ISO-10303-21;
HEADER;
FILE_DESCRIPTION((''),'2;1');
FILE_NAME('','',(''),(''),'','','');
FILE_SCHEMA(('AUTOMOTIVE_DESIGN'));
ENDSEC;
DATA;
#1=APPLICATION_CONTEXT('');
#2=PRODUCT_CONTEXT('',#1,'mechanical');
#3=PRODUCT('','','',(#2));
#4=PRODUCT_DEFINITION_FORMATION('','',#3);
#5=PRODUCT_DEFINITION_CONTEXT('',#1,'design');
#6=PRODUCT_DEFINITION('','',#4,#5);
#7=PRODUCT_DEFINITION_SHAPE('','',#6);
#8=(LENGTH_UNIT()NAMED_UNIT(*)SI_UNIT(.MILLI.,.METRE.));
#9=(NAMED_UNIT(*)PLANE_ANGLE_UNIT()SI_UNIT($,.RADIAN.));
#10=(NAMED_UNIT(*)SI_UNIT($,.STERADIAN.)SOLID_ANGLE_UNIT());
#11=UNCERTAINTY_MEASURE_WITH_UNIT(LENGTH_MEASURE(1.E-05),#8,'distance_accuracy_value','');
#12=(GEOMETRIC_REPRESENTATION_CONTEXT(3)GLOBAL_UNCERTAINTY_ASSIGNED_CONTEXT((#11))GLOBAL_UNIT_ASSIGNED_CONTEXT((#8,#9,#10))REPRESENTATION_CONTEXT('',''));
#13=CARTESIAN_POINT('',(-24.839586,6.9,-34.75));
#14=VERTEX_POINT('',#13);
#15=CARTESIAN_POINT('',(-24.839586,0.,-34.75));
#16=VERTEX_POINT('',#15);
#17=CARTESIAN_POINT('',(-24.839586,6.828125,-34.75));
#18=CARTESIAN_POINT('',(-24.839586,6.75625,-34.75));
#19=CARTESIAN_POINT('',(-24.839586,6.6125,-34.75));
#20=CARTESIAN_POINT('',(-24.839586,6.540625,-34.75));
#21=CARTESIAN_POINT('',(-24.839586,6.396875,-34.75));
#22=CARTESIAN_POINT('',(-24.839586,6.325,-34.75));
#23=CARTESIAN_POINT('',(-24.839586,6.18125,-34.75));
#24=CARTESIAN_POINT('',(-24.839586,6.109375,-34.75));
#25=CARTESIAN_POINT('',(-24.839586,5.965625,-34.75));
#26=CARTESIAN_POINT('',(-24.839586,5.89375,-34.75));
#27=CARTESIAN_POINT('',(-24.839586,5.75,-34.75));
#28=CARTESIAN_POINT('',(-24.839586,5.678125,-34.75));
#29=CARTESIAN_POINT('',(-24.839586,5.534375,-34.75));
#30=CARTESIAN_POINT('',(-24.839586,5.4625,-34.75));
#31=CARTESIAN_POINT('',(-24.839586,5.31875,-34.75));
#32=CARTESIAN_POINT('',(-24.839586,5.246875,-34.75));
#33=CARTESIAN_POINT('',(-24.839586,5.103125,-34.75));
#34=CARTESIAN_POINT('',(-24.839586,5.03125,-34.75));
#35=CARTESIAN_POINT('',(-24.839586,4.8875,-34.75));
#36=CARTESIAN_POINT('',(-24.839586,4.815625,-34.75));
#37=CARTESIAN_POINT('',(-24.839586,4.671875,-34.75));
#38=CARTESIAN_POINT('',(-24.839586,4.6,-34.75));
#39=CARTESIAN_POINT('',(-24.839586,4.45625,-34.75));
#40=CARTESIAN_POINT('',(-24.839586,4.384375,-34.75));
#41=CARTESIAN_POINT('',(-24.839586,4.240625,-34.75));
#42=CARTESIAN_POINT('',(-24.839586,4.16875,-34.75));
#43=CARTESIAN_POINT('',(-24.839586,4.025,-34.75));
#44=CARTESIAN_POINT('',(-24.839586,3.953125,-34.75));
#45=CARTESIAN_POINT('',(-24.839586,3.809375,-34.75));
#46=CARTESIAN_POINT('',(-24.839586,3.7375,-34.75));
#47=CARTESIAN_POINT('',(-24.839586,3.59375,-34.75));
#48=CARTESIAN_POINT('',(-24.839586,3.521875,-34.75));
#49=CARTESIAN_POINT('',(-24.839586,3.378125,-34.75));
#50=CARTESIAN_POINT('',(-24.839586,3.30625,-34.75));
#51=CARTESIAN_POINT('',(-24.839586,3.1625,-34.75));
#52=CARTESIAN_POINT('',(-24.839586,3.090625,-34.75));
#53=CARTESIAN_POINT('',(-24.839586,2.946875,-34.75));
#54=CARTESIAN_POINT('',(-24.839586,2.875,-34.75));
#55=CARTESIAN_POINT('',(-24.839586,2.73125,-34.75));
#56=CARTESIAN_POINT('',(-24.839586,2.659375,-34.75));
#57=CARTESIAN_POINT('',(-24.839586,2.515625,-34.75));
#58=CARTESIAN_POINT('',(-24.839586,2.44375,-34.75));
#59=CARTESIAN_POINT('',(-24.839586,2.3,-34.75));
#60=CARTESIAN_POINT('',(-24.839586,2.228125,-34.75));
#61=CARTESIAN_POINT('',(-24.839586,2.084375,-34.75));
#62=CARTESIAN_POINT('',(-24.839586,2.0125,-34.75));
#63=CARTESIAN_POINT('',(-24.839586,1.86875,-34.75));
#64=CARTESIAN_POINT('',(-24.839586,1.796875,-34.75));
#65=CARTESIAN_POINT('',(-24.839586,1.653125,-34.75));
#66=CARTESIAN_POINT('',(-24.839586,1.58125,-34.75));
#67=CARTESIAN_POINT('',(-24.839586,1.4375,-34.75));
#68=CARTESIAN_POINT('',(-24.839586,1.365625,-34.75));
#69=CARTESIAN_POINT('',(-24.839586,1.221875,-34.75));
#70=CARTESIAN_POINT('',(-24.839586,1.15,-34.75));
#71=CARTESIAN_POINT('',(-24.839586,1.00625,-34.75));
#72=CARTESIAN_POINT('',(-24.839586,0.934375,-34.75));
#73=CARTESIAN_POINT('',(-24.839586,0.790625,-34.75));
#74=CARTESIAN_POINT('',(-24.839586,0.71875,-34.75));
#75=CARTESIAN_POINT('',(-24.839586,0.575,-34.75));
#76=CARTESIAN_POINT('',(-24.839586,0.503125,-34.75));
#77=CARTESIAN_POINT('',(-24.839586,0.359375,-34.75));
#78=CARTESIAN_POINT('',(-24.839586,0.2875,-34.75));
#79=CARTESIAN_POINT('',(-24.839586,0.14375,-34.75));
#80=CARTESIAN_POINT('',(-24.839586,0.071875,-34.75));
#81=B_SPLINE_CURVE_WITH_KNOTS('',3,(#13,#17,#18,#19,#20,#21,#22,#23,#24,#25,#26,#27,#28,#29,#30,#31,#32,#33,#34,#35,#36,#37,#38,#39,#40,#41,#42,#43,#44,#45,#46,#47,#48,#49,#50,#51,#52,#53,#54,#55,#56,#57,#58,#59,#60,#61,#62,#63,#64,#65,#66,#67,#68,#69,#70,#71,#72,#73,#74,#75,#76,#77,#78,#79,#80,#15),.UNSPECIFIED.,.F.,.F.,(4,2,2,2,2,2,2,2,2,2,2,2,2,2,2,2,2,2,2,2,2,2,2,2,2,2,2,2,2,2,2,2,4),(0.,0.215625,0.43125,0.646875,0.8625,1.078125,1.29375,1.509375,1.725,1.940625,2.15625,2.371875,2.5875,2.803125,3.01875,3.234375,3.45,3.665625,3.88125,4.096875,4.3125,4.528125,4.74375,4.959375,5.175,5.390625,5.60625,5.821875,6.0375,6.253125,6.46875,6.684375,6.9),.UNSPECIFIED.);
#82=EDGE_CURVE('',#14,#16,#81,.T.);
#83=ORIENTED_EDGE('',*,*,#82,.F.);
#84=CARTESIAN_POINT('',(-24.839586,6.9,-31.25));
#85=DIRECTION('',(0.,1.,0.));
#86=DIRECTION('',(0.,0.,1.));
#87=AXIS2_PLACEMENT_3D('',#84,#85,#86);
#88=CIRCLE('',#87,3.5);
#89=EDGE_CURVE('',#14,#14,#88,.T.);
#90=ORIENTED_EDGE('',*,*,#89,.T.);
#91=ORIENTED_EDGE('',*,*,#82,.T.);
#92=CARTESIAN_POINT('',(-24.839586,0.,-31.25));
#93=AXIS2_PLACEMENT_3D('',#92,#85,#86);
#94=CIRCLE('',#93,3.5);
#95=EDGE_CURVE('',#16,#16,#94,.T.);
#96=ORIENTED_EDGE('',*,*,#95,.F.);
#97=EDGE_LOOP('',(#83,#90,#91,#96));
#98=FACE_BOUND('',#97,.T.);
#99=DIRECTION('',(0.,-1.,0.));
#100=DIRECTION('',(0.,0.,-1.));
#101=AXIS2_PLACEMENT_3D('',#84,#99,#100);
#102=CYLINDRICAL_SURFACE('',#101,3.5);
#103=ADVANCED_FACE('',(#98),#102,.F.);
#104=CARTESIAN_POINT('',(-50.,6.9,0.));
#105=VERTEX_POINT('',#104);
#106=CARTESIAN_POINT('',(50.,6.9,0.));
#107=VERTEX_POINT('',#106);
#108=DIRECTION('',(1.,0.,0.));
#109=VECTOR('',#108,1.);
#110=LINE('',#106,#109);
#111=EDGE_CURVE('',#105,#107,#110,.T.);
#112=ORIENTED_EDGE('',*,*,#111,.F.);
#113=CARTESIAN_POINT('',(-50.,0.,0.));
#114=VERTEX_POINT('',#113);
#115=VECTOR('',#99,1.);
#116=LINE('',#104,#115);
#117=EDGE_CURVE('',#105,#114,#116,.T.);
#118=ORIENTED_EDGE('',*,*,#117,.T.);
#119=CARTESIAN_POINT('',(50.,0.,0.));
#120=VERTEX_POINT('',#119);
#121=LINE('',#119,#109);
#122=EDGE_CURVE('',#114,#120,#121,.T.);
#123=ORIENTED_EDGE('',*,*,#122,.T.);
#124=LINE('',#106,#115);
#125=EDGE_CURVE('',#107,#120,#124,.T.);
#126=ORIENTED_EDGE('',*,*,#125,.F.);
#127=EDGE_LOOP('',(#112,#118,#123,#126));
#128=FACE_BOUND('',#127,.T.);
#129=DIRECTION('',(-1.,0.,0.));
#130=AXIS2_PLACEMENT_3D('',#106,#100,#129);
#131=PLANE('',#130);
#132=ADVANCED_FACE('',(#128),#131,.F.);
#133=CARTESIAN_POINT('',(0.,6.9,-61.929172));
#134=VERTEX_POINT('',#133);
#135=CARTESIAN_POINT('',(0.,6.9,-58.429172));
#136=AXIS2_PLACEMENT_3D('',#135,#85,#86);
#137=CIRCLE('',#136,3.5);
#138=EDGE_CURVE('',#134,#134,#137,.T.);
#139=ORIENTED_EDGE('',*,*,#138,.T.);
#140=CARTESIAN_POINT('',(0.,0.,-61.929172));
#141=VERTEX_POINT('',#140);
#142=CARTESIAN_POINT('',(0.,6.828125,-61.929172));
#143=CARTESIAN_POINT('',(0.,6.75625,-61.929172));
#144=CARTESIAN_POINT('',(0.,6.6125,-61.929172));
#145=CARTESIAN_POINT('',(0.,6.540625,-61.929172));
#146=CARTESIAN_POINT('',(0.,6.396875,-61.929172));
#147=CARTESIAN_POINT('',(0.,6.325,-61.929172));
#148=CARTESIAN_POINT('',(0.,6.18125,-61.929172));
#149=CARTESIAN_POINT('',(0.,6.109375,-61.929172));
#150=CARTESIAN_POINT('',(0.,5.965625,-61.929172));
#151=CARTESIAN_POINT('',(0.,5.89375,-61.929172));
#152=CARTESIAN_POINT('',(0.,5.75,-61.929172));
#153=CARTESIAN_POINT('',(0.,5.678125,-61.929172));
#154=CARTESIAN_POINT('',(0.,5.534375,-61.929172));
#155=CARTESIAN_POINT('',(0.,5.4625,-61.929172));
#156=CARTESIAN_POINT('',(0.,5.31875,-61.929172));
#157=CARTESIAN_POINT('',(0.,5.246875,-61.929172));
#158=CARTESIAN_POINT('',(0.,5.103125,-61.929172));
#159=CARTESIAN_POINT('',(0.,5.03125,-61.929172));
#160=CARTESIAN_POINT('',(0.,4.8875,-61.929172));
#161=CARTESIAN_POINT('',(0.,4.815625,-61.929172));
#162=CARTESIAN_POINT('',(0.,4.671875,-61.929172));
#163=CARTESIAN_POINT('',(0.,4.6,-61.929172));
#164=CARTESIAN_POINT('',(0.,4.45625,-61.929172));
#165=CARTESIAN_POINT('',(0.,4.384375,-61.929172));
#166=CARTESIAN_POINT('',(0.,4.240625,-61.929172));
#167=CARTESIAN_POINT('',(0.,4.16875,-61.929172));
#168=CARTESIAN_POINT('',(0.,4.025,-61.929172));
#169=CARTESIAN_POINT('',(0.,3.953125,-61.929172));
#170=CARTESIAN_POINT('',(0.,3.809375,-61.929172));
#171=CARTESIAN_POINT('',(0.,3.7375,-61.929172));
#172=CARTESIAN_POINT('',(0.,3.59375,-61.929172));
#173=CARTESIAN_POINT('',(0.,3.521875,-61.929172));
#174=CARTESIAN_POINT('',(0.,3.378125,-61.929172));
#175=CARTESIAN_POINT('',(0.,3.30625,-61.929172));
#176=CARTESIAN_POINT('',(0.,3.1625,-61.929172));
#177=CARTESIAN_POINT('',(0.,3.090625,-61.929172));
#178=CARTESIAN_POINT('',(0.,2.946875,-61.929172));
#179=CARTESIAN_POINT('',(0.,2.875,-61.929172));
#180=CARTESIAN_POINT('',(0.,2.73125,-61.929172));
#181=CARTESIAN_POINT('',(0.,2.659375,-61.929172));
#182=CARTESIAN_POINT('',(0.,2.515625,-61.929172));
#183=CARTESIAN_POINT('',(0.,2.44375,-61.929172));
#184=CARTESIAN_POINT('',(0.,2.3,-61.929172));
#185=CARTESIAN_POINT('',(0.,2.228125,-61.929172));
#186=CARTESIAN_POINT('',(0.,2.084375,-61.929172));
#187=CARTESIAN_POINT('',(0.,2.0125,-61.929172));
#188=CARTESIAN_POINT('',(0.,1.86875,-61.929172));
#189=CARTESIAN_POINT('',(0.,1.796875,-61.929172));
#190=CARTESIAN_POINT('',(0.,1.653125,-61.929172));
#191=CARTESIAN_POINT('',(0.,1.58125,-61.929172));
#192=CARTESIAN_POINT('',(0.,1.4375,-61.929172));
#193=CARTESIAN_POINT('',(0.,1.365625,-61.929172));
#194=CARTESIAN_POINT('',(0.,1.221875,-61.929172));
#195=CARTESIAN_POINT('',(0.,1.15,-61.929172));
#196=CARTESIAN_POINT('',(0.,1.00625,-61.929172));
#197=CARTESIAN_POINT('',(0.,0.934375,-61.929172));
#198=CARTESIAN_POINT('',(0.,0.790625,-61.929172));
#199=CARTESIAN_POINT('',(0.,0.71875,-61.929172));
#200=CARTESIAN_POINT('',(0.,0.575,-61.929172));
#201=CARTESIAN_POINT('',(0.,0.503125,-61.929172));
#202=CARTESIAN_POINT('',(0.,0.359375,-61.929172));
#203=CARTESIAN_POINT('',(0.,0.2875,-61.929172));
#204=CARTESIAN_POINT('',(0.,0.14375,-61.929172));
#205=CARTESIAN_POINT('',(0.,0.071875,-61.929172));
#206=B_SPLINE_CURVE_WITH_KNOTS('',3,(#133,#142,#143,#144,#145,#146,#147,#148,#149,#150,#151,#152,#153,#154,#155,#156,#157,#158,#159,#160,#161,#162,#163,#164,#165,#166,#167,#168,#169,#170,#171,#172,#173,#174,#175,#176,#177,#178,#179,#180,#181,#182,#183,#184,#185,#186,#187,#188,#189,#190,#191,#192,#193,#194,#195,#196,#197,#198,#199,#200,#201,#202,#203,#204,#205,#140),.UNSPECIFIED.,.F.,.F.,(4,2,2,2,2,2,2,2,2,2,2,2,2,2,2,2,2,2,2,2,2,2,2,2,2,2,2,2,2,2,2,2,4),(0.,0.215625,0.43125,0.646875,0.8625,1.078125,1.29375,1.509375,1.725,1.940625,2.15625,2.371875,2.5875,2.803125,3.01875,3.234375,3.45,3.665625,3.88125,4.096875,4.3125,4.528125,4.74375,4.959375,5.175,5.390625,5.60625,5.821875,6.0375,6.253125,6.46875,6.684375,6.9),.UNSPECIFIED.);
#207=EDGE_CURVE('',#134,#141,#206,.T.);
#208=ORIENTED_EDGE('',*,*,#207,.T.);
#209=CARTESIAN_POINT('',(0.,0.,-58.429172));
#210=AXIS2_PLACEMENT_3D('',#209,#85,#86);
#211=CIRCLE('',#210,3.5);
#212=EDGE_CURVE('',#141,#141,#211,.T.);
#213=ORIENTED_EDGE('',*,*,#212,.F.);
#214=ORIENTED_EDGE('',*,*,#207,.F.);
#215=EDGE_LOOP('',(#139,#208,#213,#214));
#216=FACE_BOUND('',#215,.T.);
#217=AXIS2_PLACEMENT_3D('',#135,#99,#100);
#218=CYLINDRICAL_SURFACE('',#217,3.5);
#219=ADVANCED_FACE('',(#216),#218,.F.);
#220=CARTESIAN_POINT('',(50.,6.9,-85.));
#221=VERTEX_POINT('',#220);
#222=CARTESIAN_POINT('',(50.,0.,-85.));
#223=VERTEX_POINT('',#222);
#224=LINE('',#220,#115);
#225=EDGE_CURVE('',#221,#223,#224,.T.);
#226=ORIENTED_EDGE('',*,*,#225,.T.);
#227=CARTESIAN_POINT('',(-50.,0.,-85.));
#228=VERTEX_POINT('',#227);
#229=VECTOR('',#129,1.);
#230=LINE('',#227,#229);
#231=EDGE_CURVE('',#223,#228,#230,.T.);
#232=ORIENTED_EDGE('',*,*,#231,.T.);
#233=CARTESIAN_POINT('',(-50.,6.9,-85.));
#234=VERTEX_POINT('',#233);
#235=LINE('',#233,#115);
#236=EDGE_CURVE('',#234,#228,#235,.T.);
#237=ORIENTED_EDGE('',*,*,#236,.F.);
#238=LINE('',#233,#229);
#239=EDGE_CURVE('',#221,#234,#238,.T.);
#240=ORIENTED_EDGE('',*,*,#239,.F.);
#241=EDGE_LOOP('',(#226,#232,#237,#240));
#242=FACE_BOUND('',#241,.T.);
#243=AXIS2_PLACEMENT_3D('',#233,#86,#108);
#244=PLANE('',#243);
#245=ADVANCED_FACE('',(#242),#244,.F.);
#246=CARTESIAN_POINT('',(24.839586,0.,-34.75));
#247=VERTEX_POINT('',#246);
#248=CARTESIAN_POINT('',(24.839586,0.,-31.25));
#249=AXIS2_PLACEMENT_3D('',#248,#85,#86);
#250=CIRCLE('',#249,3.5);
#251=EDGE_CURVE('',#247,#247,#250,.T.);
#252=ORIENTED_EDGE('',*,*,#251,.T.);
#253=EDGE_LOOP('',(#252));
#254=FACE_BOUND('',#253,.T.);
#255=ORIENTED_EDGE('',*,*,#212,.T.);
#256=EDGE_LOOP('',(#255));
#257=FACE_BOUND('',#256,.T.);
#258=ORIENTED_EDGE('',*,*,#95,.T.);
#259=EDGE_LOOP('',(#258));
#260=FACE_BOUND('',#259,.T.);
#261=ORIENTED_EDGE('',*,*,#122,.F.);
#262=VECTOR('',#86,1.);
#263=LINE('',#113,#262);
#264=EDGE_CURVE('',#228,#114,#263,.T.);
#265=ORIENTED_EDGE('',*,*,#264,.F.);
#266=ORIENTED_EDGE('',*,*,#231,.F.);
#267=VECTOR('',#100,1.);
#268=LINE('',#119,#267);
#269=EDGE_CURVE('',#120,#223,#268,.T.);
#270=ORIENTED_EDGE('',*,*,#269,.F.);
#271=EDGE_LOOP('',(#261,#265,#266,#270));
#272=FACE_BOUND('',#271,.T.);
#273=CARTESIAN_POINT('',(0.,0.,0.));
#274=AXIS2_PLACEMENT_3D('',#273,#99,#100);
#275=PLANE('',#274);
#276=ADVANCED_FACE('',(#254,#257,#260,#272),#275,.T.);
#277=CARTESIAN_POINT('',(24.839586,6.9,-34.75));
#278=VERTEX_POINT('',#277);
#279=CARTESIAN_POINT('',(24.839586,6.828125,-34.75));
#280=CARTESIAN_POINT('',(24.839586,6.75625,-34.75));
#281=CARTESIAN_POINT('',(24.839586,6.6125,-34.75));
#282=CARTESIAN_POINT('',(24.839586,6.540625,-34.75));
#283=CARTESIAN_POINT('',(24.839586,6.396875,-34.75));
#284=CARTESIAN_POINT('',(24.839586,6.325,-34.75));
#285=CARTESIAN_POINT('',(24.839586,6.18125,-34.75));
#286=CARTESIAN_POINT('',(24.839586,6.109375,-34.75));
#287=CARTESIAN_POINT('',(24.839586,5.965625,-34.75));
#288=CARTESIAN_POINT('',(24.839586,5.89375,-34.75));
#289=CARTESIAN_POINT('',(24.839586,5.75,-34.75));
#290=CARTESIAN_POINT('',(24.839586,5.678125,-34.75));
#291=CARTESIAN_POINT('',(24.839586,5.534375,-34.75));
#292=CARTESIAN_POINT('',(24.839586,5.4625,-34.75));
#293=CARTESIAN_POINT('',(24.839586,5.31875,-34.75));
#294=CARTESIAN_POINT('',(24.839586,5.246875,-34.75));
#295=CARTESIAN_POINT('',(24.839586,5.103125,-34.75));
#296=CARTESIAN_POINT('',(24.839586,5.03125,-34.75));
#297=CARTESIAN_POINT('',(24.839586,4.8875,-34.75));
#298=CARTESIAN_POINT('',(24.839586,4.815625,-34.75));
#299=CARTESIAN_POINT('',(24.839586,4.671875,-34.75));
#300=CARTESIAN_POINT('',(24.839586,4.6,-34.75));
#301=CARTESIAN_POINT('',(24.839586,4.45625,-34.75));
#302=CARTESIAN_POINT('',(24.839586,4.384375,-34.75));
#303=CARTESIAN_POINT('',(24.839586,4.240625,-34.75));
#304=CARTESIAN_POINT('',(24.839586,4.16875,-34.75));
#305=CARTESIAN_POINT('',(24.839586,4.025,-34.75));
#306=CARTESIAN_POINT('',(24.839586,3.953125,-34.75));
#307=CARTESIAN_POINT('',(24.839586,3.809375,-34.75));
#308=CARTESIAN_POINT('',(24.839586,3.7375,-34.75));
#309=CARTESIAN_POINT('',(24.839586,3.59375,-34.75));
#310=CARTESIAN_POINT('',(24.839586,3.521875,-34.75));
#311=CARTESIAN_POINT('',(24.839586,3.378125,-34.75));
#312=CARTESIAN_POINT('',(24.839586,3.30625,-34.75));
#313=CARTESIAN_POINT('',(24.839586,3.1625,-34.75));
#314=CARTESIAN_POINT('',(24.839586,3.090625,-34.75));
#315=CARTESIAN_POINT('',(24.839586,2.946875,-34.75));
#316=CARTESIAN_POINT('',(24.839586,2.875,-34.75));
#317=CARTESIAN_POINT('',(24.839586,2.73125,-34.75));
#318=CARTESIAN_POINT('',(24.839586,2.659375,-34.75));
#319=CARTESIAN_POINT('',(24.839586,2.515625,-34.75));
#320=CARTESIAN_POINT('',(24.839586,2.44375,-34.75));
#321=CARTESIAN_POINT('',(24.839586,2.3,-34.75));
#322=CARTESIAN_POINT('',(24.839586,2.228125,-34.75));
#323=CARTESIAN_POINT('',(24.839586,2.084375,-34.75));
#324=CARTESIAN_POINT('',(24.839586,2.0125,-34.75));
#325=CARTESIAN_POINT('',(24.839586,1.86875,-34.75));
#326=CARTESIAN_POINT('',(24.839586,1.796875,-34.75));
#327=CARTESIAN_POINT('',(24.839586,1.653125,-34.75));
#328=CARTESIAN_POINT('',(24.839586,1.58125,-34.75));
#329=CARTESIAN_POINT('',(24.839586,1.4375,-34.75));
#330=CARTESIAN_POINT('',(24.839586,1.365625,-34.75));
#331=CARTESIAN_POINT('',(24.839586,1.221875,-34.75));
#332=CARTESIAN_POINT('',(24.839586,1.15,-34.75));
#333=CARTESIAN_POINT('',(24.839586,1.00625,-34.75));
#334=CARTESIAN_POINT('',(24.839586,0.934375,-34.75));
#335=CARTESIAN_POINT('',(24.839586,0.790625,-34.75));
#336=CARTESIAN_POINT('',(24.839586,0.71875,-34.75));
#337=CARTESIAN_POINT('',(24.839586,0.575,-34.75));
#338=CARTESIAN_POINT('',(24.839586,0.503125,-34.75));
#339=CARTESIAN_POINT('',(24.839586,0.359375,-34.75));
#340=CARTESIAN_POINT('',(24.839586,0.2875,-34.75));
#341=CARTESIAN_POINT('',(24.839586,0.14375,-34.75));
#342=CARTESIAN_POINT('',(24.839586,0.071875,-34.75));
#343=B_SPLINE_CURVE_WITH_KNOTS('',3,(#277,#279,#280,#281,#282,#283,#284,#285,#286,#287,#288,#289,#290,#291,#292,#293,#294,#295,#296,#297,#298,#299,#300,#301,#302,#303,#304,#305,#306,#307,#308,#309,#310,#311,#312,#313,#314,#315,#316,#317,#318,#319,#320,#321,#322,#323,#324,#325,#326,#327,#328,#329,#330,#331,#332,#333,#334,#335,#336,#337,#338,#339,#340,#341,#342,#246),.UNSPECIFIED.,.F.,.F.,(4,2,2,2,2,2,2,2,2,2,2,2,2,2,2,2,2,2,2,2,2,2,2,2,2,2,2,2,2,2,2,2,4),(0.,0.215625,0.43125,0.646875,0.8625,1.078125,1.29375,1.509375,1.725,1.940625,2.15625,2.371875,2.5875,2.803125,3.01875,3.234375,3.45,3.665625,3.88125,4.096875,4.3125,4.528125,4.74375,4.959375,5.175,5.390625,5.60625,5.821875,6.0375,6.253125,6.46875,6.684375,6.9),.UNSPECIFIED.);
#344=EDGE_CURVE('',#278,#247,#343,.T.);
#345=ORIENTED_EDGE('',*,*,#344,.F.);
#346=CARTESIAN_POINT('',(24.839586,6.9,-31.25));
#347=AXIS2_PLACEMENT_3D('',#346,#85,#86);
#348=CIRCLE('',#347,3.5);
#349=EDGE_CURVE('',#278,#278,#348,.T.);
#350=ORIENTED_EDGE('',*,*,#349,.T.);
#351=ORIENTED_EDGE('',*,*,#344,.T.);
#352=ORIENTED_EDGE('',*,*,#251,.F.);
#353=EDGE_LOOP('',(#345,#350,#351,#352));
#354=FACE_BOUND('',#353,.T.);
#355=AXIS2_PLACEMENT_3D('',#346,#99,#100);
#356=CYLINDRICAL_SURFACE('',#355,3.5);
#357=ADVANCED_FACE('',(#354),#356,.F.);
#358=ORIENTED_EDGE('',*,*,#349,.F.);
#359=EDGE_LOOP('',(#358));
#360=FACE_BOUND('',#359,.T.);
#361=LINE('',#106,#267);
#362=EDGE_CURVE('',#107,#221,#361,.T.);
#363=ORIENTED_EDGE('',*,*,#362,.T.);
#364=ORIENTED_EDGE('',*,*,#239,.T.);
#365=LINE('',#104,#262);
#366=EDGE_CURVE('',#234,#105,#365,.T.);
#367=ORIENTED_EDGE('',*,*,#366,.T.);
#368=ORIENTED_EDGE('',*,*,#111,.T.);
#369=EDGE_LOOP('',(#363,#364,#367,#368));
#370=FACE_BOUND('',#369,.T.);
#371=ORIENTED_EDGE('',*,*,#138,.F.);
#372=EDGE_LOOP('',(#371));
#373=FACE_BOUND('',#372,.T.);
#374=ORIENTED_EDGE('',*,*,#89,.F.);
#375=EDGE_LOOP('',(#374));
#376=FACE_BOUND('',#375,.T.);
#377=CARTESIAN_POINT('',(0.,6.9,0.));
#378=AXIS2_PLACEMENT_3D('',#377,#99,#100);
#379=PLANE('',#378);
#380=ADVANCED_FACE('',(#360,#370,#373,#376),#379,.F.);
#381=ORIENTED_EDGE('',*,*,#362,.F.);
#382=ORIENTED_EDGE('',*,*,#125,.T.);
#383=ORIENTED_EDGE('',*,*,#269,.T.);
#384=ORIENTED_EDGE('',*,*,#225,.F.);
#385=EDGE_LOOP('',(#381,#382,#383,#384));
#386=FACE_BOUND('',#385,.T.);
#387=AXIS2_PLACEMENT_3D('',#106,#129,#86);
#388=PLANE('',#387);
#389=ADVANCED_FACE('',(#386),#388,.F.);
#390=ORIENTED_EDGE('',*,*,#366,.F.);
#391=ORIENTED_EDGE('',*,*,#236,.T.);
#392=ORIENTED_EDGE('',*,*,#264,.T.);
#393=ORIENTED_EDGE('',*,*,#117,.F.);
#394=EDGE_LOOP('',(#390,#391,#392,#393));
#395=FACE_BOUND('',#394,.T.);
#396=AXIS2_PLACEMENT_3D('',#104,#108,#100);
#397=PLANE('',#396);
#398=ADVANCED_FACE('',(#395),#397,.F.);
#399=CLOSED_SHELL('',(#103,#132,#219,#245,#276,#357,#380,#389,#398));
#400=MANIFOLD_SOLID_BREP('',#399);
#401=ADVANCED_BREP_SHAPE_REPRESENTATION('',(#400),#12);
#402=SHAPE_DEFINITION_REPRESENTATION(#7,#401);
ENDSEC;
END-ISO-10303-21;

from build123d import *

# Parameters (mm, degrees)
SKETCH1_W           = 100
SKETCH1_H           = 85
SKETCH1_R           = 3.5
BOSS_EXTRUDE1_DEPTH = 6.9


with BuildPart() as part:
    # Sketch1 → Boss-Extrude1 (new body)
    with BuildSketch(Plane(origin=(0, 0, 0), x_dir=(1, 0, 0), z_dir=(0, 1, 0))):
        with Locations((0, 42.5)):
            Rectangle(SKETCH1_W, SKETCH1_H)
        with Locations(Location((0, 58.429171706, 0), (0, 0, 90))):
            Circle(SKETCH1_R, mode=Mode.SUBTRACT)
        with Locations(Location((24.839585853, 31.25, 0), (0, 0, 90))):
            Circle(SKETCH1_R, mode=Mode.SUBTRACT)
        with Locations(Location((-24.839585853, 31.25, 0), (0, 0, 90))):
            Circle(SKETCH1_R, mode=Mode.SUBTRACT)
    extrude(amount=BOSS_EXTRUDE1_DEPTH)


solid = part.part
